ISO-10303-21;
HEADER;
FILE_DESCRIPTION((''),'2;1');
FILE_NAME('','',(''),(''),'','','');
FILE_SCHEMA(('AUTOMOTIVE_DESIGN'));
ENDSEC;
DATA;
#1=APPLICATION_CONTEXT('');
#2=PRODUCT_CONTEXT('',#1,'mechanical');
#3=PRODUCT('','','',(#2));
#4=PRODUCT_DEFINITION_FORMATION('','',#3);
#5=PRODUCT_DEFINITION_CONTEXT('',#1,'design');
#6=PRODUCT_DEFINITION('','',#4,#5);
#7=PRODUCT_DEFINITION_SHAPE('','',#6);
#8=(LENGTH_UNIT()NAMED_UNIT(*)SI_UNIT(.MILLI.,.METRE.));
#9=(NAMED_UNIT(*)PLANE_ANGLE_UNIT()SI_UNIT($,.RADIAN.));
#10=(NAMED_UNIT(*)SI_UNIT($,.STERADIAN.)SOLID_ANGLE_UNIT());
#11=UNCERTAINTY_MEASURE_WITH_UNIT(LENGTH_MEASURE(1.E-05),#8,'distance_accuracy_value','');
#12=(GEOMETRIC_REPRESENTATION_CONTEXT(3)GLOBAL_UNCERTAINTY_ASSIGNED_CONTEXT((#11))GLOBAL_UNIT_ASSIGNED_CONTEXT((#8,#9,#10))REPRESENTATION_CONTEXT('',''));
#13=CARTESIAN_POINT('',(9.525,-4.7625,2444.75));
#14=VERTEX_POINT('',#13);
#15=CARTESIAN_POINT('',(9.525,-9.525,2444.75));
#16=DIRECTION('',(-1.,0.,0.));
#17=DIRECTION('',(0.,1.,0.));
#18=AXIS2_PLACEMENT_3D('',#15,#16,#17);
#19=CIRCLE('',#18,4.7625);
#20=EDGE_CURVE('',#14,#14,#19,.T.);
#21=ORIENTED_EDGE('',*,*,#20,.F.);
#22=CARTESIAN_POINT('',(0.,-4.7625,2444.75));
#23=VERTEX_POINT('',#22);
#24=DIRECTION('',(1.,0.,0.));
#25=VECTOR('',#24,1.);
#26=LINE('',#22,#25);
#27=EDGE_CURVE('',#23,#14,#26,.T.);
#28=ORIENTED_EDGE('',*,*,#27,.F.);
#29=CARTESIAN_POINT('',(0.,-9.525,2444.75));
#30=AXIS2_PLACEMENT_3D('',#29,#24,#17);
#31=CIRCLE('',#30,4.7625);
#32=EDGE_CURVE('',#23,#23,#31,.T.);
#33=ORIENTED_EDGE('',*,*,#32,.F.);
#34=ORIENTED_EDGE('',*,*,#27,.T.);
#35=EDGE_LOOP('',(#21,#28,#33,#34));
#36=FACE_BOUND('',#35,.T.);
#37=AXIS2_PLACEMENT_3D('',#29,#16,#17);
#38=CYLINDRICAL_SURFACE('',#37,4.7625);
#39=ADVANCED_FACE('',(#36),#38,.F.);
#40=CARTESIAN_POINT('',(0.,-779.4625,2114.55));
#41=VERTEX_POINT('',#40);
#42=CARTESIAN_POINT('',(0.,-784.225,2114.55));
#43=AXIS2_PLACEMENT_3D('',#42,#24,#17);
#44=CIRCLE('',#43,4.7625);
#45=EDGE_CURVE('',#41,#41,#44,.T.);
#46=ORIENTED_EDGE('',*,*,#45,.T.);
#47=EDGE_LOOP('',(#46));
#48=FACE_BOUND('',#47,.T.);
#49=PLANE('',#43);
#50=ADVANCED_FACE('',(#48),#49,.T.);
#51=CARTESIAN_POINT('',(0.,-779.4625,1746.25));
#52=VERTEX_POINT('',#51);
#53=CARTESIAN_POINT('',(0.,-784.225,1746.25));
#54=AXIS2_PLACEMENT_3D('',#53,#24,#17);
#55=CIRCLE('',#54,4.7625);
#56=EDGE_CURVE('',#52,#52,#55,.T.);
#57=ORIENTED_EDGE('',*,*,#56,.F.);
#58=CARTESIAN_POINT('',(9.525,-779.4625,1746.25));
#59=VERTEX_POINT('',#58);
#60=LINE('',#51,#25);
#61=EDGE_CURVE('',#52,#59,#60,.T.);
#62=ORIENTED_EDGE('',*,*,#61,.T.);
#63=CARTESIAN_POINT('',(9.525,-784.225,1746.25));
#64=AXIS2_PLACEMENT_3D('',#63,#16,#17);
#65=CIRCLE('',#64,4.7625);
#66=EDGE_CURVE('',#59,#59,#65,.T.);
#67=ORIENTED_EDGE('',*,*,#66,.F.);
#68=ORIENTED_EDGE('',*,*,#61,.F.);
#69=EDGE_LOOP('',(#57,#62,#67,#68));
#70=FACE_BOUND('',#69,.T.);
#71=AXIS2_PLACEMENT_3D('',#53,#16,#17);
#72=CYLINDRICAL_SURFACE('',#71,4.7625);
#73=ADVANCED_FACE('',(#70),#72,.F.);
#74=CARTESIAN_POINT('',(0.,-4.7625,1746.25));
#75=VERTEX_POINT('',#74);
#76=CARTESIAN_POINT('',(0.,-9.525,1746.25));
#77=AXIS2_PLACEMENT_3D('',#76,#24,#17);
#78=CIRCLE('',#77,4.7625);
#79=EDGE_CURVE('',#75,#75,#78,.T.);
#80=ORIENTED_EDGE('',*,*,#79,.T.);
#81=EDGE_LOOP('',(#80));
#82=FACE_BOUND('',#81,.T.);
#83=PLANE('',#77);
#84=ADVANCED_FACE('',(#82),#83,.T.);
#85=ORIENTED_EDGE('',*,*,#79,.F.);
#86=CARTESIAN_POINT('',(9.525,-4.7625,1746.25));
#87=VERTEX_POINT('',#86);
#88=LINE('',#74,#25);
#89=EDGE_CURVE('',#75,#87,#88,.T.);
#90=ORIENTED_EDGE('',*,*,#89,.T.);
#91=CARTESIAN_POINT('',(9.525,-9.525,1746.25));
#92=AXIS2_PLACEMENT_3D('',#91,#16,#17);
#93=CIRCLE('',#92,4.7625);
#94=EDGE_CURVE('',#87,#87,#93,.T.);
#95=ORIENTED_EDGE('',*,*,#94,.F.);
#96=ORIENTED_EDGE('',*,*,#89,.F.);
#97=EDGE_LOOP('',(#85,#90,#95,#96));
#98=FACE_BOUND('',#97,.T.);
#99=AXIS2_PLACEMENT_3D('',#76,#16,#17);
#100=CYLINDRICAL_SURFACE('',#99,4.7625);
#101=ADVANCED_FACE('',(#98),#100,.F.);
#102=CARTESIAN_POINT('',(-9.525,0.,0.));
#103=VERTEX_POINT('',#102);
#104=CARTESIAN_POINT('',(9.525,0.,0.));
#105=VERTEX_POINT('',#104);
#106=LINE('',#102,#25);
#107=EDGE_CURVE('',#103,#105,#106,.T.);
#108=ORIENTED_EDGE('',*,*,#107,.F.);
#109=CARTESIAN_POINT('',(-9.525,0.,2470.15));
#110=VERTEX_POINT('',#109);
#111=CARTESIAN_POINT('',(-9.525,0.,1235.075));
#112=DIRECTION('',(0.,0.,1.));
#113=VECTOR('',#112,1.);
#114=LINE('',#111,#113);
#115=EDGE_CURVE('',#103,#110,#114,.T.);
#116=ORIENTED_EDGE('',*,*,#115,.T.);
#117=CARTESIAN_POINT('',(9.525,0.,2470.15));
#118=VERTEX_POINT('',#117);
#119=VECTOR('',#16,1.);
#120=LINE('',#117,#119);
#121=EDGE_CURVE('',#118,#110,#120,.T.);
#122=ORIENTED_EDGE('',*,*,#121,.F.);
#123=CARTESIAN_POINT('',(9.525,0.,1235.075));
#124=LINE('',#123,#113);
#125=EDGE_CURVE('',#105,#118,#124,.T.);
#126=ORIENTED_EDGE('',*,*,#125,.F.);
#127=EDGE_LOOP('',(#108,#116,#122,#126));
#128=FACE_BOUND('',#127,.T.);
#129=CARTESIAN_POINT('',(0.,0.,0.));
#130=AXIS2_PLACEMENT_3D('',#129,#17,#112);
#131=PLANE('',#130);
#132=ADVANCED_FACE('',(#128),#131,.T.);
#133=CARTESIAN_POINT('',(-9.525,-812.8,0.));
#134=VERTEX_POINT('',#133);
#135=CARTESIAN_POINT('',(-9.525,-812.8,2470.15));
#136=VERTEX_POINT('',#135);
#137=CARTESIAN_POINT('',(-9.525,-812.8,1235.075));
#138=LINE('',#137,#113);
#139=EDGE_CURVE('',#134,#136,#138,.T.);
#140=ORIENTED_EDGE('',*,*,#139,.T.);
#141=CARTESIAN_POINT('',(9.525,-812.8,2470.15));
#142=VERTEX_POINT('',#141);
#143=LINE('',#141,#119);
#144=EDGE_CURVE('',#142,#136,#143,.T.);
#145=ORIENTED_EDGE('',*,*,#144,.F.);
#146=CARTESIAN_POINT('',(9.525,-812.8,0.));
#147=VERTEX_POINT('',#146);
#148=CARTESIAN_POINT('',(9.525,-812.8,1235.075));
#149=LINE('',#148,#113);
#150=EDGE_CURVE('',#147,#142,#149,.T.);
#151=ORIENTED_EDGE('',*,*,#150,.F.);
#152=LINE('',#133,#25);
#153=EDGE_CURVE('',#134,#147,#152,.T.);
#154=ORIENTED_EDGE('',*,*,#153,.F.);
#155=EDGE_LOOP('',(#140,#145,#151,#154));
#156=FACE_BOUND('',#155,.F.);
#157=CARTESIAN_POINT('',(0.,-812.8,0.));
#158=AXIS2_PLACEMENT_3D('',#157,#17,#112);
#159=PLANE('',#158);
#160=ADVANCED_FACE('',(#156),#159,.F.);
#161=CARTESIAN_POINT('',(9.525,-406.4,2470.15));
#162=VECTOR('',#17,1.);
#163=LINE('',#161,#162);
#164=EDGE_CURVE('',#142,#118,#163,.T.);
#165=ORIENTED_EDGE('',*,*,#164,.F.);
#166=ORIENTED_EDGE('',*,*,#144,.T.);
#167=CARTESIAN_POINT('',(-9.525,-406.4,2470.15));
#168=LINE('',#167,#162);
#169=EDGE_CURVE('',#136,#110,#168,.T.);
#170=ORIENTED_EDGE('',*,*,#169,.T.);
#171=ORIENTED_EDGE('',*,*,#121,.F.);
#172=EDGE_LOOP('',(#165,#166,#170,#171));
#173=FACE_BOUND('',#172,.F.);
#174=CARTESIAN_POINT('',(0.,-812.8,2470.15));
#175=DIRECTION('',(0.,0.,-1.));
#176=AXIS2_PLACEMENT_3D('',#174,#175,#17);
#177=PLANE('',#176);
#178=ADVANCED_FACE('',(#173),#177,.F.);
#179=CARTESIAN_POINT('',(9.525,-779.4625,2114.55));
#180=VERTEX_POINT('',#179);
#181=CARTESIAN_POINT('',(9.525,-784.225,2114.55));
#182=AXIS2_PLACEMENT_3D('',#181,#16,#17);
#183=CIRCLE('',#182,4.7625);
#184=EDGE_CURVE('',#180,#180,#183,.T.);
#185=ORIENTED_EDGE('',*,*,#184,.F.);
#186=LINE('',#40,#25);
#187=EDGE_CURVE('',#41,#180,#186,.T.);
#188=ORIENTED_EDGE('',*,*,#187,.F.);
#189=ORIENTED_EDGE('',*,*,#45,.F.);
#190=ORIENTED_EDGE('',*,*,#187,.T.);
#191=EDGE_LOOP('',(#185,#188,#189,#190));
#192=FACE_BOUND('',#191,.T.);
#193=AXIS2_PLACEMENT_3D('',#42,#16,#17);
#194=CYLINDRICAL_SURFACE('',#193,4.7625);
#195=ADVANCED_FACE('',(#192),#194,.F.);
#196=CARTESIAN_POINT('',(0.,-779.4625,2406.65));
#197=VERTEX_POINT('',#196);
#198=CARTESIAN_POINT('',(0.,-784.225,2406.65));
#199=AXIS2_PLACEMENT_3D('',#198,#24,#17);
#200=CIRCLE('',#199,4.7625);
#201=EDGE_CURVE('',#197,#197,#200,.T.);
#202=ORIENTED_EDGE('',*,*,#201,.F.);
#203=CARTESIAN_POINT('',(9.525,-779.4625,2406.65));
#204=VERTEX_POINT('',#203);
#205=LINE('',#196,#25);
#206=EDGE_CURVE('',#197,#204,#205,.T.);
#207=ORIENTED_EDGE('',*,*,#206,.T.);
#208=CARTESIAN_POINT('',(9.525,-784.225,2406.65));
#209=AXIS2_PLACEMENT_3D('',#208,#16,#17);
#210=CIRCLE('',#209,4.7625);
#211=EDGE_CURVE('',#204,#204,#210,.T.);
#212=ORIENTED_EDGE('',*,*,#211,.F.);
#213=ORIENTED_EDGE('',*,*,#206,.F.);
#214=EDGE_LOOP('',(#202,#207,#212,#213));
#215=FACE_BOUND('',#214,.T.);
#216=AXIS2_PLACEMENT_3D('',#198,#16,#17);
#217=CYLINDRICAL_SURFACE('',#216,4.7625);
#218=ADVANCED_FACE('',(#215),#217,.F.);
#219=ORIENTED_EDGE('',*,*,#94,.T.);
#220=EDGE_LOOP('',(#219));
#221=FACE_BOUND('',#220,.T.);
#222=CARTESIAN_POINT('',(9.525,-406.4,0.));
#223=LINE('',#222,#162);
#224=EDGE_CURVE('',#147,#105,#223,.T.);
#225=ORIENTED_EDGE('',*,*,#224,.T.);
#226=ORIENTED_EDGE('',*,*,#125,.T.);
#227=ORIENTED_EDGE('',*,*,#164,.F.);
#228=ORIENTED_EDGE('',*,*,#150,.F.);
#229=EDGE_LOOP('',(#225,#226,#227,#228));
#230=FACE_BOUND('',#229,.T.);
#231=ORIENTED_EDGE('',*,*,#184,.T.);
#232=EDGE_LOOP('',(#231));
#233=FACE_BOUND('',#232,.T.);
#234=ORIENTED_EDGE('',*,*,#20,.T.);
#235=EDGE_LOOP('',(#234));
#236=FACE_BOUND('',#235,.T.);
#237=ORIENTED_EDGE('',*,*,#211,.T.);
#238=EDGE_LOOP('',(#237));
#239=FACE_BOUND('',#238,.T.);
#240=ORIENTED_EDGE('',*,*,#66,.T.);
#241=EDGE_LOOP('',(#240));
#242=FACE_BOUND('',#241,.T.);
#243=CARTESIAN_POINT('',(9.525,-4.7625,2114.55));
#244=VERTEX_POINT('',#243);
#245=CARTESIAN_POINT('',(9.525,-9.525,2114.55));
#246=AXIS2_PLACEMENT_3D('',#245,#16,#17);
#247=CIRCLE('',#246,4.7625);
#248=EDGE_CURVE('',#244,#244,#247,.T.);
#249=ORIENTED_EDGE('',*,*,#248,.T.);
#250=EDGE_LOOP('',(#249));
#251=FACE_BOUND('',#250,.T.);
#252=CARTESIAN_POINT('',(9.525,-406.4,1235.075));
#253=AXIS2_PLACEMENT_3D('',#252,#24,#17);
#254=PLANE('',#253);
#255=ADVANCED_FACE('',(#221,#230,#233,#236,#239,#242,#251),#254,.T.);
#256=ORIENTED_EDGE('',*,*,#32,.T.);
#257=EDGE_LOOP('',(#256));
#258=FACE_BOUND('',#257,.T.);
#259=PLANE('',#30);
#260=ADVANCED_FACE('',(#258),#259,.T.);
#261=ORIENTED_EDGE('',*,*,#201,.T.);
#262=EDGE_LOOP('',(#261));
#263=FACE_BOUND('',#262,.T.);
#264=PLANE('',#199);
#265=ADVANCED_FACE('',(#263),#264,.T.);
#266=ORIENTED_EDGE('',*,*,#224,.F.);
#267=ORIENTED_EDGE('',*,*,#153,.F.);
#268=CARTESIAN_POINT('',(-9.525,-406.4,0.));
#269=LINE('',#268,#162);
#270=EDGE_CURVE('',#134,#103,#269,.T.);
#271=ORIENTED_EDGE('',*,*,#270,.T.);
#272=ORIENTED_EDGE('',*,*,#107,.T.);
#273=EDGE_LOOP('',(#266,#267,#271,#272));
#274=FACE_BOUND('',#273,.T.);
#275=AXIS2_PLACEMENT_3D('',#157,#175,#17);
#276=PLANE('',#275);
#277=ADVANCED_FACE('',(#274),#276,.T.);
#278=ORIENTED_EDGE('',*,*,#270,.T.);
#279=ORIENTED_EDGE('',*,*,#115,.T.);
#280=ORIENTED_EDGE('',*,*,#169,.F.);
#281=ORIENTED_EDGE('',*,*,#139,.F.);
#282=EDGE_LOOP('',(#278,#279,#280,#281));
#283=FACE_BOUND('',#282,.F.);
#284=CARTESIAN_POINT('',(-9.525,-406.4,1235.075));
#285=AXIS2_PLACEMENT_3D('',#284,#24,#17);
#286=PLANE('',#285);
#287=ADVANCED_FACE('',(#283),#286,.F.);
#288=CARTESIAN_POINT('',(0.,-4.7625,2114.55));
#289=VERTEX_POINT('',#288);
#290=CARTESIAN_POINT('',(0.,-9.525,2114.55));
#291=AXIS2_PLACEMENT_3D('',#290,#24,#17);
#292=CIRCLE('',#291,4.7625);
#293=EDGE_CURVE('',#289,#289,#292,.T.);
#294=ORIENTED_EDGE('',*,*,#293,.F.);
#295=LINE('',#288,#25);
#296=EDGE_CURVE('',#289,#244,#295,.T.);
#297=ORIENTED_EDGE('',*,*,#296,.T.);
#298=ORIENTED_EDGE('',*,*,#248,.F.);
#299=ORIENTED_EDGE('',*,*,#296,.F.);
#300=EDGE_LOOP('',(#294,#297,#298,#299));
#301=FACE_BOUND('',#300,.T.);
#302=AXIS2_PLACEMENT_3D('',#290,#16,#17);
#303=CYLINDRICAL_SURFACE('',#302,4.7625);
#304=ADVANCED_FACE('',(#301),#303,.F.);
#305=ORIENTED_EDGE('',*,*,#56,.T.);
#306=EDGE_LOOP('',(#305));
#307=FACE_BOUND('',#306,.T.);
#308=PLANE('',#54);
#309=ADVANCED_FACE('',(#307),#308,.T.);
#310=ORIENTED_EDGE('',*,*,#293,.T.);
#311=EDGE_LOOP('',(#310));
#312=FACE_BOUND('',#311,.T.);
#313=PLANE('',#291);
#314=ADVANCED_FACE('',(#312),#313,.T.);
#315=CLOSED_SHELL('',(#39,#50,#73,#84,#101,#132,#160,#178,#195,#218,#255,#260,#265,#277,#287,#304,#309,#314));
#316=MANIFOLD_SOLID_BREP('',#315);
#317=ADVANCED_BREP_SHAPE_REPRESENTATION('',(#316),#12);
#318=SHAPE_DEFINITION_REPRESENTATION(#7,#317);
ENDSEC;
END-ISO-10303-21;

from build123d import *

# Parameters (mm, degrees)
F0_W     = 812.8
F0_H     = 2470.15
F1_DEPTH = 9.525
F2_R     = 4.7625
F3_DEPTH = 19.05


with BuildPart() as f1:
    # F0 (on Right) → F1 (new body, symmetric)
    with BuildSketch(Plane.YZ):
        with Locations((-406.4, 1235.075)):
            Rectangle(F0_W, F0_H)
    extrude(amount=F1_DEPTH, both=True)

    # F2 (on Right) → F3 (cut)
    with BuildSketch(Plane.YZ):
        with Locations((-784.225, 2114.55)):
            Circle(F2_R)
        with Locations((-784.225, 2406.65)):
            Circle(F2_R)
        with Locations((-9.525, 2444.75)):
            Circle(F2_R)
        with Locations((-9.525, 2114.55)):
            Circle(F2_R)
        with Locations((-784.225, 1746.25)):
            Circle(F2_R)
        with Locations((-9.525, 1746.25)):
            Circle(F2_R)
    extrude(amount=F3_DEPTH, mode=Mode.SUBTRACT)


solid = f1.part
